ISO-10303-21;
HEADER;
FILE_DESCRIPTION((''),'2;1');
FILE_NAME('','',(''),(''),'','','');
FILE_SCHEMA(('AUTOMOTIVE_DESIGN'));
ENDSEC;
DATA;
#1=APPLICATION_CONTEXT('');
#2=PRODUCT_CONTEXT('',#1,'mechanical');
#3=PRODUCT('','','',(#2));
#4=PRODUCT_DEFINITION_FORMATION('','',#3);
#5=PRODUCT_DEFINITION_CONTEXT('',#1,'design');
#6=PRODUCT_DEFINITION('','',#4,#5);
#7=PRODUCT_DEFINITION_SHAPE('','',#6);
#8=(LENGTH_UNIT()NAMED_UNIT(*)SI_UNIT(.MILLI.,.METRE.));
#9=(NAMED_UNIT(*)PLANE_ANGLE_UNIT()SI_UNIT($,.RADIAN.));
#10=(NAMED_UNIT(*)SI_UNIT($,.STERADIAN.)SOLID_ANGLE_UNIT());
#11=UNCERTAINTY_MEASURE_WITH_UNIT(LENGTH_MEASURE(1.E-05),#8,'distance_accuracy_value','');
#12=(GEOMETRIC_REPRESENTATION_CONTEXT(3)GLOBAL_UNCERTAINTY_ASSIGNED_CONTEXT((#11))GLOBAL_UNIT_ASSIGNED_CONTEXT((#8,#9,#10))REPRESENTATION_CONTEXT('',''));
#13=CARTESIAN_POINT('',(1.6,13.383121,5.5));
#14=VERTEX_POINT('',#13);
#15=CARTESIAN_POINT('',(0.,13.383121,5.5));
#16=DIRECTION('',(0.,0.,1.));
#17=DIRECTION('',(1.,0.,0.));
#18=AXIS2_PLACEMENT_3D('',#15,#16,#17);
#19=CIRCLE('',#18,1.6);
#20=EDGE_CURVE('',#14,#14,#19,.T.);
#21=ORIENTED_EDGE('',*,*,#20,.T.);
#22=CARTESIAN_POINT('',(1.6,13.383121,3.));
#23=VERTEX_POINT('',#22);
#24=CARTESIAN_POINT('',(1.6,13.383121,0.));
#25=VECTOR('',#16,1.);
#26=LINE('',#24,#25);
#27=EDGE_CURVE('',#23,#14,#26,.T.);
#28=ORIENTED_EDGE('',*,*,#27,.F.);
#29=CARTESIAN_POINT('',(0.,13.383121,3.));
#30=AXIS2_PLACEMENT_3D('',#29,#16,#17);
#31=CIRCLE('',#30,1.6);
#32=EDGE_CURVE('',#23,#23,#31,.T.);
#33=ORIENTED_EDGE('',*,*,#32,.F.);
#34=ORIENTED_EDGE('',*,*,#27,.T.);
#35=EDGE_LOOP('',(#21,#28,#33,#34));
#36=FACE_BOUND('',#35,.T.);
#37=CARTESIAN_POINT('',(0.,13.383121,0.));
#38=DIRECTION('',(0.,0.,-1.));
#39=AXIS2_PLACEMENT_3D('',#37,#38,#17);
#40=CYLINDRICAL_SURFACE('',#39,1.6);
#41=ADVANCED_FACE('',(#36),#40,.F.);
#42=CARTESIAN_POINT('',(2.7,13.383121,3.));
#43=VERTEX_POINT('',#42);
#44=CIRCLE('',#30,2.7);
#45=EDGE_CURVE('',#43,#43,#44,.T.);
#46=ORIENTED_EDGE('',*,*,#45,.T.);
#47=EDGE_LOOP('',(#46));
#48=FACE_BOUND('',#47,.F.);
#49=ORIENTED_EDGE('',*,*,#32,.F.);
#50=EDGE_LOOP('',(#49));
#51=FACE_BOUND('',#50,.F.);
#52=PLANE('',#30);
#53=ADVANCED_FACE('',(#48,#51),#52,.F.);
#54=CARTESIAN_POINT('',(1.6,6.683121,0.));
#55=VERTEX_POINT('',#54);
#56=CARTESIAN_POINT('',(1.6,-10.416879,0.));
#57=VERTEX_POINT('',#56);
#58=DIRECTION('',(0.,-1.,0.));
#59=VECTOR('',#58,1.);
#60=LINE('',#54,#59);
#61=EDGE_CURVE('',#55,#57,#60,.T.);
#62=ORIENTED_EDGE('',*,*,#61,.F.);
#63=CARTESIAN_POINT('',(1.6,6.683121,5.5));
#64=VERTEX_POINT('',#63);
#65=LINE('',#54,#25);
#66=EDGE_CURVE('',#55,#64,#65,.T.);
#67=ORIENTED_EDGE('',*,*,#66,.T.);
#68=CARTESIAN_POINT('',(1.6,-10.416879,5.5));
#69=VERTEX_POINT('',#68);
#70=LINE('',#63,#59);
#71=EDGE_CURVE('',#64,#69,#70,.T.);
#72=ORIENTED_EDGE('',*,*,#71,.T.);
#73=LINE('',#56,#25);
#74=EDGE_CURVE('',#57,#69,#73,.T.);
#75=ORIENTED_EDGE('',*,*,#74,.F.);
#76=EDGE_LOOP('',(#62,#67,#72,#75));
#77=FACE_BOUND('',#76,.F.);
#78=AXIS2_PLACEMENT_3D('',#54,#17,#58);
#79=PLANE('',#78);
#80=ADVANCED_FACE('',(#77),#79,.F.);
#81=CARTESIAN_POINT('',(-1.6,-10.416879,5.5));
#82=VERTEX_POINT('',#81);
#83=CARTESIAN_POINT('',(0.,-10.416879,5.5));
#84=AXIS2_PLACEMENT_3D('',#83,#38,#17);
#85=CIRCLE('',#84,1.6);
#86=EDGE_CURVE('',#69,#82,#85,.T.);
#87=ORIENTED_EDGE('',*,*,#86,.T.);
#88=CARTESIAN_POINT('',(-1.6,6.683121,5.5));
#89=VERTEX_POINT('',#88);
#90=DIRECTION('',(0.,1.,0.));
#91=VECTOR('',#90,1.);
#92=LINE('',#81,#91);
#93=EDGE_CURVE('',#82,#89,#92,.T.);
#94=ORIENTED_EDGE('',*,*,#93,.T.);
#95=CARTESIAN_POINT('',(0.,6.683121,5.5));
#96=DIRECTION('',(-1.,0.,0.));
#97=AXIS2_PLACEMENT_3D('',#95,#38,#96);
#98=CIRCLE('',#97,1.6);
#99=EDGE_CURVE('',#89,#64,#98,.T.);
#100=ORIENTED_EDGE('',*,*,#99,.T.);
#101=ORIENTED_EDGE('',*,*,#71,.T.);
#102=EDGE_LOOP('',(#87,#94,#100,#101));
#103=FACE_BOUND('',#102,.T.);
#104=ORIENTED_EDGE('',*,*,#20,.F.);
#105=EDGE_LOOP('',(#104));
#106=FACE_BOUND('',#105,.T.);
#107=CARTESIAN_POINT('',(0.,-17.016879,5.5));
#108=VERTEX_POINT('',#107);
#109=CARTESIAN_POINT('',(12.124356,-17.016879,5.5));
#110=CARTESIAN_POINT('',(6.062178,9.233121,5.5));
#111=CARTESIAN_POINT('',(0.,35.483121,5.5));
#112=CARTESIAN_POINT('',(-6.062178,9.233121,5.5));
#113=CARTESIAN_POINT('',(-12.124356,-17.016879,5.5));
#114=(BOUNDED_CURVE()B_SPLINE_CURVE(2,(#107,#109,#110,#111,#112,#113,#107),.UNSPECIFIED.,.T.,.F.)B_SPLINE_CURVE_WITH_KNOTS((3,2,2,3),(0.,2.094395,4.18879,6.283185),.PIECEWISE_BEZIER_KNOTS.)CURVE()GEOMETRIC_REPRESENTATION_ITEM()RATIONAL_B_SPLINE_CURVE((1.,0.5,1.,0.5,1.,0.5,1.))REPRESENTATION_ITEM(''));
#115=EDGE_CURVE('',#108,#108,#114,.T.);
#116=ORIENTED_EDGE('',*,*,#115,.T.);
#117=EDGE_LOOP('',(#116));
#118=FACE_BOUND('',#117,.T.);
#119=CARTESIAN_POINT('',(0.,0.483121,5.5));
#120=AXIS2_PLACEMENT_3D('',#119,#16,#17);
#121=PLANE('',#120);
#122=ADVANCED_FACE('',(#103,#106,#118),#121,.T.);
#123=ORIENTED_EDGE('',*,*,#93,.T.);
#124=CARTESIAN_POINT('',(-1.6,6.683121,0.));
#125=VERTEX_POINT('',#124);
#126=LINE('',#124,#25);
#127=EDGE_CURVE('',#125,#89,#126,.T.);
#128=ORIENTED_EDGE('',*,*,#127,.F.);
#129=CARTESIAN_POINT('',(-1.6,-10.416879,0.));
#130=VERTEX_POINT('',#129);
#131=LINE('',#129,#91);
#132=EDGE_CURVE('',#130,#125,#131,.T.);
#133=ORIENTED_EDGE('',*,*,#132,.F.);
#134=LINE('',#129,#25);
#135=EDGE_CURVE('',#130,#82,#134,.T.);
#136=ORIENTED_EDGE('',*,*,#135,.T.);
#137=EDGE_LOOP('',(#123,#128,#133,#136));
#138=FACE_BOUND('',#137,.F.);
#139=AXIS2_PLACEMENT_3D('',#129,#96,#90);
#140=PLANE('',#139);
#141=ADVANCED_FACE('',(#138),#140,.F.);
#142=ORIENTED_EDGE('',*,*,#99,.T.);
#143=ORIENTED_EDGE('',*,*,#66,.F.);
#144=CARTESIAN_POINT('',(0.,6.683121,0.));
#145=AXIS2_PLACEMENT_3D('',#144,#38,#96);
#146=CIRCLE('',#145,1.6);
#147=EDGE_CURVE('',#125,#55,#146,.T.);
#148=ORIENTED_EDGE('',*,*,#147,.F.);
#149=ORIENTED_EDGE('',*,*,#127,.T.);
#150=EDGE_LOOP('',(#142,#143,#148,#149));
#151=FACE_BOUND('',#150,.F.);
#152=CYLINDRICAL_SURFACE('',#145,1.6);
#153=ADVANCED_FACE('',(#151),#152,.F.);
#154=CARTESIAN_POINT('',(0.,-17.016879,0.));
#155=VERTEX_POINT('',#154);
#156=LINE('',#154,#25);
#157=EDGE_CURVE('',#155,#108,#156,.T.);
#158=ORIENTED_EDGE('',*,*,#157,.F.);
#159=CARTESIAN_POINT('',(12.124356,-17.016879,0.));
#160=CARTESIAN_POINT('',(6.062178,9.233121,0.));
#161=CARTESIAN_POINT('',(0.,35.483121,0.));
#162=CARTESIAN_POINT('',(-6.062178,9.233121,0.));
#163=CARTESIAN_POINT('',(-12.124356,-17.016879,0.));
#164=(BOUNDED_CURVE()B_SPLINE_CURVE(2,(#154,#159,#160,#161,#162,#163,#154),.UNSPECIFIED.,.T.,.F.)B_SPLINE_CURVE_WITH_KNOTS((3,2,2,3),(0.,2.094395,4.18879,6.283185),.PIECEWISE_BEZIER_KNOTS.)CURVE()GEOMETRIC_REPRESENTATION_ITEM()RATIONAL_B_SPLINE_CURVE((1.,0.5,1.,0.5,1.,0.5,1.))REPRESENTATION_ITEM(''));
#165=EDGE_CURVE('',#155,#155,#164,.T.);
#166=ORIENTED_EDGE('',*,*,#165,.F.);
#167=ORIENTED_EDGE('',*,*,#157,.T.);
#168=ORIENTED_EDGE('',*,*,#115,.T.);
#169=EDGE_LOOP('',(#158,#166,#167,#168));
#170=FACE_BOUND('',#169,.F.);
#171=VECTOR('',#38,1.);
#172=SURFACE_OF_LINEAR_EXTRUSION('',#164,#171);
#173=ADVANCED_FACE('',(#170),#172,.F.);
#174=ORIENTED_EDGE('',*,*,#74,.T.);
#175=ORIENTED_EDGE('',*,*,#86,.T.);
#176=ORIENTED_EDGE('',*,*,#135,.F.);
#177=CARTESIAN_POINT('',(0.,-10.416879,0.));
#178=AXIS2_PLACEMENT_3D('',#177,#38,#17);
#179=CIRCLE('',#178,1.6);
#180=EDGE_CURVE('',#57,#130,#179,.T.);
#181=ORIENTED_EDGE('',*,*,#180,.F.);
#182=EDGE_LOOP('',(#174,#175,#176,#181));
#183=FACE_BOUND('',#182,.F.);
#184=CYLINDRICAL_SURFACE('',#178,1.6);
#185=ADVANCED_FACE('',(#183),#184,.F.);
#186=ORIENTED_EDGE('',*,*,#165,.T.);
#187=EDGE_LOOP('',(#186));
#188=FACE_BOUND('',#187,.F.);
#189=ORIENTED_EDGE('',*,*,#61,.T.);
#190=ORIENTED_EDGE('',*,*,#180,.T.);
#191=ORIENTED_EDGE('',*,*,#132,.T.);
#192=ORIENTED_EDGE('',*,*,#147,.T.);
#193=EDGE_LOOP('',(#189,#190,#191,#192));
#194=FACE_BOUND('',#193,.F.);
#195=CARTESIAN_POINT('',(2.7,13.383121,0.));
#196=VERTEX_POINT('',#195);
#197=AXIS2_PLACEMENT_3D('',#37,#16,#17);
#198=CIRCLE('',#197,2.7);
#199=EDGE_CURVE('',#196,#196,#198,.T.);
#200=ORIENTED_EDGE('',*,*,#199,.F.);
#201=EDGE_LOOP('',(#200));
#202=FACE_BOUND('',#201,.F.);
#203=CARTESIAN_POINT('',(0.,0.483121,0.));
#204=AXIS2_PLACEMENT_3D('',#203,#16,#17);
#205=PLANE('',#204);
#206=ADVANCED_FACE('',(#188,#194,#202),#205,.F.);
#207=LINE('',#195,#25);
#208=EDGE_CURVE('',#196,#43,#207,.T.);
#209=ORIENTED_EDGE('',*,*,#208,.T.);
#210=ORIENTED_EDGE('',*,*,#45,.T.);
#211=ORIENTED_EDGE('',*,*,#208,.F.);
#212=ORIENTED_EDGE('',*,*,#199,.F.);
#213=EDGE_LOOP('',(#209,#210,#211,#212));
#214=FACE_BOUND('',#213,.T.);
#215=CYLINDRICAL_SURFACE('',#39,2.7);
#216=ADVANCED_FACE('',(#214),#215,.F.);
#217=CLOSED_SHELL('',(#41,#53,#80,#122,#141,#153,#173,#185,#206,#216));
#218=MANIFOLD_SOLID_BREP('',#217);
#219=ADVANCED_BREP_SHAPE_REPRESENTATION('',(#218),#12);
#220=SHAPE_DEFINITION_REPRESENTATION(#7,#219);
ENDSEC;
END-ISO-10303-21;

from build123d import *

# Parameters (mm, degrees)
F0_R     = 1.6
F1_DEPTH = 5.5
F3_R     = 2.7
F3_R_2   = 1.6
F4_DEPTH = 3


with BuildPart() as f1:
    # F0 (on Top) → F1 (new body)
    with BuildSketch(Plane.XY):
        with BuildLine():
            add(Edge.make_bspline(
                [(0, -17.016879), (12.124356, -17.016879), (6.062178, 9.233121), (0, 35.483121), (-6.062178, 9.233121), (-12.124356, -17.016879), (0, -17.016879)],
                knots=[0, 0, 0, 2.094395, 2.094395, 4.18879, 4.18879, 6.283185, 6.283185, 6.283185], degree=2, weights=[1, 0.5, 1, 0.5, 1, 0.5, 1]))
        make_face()
        with BuildLine():
            ThreePointArc((-1.6, 6.683121), (0, 8.283121), (1.6, 6.683121))
            Line((1.6, 6.683121), (1.6, -10.416879))
            ThreePointArc((1.6, -10.416879), (0, -12.016879), (-1.6, -10.416879))
            Line((-1.6, -10.416879), (-1.6, 6.683121))
        make_face(mode=Mode.SUBTRACT)
        with Locations((0, 13.383121)):
            Circle(F0_R, mode=Mode.SUBTRACT)
    extrude(amount=F1_DEPTH)

    # F3 (on face) → F4 (cut)
    with BuildSketch(Plane.XY):
        with Locations((0, 13.383121)):
            Circle(F3_R)
        with Locations((0, 13.383121)):
            Circle(F3_R_2, mode=Mode.SUBTRACT)
    extrude(amount=F4_DEPTH, mode=Mode.SUBTRACT)


solid = f1.part
